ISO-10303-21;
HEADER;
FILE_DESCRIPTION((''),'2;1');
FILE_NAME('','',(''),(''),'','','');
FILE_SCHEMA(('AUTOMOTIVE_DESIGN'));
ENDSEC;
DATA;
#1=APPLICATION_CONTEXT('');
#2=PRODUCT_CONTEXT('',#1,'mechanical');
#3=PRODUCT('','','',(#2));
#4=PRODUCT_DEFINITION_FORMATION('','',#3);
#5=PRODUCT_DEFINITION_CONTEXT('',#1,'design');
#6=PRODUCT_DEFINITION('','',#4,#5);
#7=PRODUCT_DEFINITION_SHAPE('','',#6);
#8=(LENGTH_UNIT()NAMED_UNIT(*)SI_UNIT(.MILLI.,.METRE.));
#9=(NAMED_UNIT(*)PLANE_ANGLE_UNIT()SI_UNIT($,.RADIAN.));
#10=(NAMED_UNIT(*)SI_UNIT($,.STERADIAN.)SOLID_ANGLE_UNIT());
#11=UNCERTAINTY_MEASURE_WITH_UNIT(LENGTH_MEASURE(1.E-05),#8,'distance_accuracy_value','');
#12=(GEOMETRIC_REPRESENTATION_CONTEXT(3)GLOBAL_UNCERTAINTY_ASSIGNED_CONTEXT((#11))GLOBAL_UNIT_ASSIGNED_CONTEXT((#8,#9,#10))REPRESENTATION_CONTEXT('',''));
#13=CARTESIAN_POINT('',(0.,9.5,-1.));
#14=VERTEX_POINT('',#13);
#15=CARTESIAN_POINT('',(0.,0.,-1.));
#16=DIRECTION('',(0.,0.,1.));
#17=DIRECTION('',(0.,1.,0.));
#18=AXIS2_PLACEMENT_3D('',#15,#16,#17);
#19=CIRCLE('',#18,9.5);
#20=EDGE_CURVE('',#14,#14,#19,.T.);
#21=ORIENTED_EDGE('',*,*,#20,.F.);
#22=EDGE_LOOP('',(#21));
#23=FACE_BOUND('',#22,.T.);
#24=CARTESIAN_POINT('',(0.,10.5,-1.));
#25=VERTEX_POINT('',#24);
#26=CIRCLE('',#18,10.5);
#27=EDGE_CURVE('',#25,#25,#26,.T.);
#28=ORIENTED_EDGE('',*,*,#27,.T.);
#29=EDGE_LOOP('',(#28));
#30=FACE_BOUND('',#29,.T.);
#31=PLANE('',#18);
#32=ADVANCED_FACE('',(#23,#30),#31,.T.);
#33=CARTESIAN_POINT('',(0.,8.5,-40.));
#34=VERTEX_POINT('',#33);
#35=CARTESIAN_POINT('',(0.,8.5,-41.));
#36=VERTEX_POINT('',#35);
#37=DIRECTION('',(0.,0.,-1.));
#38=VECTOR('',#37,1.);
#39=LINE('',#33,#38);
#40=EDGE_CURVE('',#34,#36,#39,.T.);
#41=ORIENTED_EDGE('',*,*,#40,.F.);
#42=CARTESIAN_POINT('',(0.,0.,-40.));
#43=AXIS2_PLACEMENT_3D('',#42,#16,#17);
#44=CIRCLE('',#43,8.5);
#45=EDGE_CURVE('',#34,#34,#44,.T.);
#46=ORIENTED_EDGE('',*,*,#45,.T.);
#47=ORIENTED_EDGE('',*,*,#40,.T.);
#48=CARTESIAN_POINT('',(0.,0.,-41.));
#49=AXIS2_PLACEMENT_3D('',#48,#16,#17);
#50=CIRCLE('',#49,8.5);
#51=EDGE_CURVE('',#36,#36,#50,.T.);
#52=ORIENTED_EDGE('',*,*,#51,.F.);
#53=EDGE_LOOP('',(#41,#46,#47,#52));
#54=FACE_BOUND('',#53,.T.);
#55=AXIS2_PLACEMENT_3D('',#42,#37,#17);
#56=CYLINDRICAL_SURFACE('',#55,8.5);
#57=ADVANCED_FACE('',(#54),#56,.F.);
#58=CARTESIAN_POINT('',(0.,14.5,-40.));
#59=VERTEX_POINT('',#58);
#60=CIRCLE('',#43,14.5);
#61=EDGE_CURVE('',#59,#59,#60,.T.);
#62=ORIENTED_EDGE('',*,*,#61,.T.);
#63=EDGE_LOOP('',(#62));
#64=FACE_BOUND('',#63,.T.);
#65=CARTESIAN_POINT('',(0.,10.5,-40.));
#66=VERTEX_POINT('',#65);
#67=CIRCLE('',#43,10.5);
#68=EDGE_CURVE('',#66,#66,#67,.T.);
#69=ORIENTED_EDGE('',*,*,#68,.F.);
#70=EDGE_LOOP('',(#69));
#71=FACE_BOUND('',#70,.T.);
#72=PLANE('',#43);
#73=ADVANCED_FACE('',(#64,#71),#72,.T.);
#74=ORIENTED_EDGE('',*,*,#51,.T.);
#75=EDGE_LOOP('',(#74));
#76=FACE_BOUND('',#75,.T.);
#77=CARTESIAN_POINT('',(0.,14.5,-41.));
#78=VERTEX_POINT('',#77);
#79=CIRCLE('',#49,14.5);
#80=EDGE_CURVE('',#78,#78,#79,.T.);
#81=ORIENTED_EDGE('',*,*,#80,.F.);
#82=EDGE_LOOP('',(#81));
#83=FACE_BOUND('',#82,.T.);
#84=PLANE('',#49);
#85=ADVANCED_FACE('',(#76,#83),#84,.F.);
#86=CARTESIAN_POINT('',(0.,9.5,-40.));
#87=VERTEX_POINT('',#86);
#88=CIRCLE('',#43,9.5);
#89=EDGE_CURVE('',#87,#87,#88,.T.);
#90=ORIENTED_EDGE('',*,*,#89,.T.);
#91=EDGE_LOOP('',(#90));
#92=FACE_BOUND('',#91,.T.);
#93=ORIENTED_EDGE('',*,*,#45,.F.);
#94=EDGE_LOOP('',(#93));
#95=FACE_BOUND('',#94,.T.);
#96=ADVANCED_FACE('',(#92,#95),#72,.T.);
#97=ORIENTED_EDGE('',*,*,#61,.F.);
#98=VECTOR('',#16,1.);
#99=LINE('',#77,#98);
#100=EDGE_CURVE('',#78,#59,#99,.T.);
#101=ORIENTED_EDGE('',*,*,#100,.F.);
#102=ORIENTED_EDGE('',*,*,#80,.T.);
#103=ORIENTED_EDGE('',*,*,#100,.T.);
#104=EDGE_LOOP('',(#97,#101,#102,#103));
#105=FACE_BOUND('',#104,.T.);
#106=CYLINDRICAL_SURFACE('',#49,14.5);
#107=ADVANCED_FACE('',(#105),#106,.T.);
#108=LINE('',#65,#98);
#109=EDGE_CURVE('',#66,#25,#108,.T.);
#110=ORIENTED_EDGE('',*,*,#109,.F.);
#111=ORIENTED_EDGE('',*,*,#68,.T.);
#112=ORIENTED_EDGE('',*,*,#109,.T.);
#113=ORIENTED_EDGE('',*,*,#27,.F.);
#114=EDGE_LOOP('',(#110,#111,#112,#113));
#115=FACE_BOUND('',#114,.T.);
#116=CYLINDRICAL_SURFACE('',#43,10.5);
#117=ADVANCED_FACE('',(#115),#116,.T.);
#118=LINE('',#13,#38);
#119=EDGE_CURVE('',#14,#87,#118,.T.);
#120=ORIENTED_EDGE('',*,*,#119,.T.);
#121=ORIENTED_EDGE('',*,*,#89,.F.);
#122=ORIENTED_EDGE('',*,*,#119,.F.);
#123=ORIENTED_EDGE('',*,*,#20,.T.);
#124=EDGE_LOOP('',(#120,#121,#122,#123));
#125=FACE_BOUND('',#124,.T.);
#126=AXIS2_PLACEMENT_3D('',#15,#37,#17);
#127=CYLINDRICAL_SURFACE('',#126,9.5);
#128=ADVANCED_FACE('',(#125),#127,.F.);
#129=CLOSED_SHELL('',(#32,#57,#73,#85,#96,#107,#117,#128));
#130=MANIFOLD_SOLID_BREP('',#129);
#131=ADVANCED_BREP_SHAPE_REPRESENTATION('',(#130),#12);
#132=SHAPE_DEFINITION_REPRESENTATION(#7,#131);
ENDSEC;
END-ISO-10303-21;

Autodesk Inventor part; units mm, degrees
ref_plane "YZ Plane" through (0, 0, 0) normal (1, 0, 0) x (0, 1, 0)
ref_plane "XZ Plane" through (0, 0, 0) normal (0, 1, 0) x (-1, 0, 0)
ref_plane "XY Plane" through (0, 0, 0) normal (0, 0, 1) x (1, 0, 0)
sketch "Sketch1" plane through (0, 0, 0) normal (1, 0, 0) x (0, 1, 0)
  line L0 (10.5, -1) -> (9.5, -1)
  line L1 (9.5, -1) -> (9.5, -40)
  line L2 (9.5, -40) -> (10.5, -40)
  line L3 (10.5, -40) -> (10.5, -1)
  line L4 (14.5, -40) -> (8.5, -40)
  line L5 (8.5, -40) -> (8.5, -41)
  line L6 (8.5, -41) -> (14.5, -41)
  line L7 (14.5, -41) -> (14.5, -40)
  line L8 (0, -49.2) -> (0, 8.2) projected
  point P0 (0, 0)
  dimension "d0" = 1
  dimension "d1" = 1
  dimension "d2" = 1
  dimension "d3" = 10.5
  dimension "d4" = 4
  dimension "d5" = 40
revolve "Revolution1" add sketch "Sketch1" angle 360 about axis through (0, 0, -10) along (0, 0, 1)
thread "Thread1" size "M22x1" class "6g" standard "ISO Metric profile" full length
properties part number "bearingShellInner"
